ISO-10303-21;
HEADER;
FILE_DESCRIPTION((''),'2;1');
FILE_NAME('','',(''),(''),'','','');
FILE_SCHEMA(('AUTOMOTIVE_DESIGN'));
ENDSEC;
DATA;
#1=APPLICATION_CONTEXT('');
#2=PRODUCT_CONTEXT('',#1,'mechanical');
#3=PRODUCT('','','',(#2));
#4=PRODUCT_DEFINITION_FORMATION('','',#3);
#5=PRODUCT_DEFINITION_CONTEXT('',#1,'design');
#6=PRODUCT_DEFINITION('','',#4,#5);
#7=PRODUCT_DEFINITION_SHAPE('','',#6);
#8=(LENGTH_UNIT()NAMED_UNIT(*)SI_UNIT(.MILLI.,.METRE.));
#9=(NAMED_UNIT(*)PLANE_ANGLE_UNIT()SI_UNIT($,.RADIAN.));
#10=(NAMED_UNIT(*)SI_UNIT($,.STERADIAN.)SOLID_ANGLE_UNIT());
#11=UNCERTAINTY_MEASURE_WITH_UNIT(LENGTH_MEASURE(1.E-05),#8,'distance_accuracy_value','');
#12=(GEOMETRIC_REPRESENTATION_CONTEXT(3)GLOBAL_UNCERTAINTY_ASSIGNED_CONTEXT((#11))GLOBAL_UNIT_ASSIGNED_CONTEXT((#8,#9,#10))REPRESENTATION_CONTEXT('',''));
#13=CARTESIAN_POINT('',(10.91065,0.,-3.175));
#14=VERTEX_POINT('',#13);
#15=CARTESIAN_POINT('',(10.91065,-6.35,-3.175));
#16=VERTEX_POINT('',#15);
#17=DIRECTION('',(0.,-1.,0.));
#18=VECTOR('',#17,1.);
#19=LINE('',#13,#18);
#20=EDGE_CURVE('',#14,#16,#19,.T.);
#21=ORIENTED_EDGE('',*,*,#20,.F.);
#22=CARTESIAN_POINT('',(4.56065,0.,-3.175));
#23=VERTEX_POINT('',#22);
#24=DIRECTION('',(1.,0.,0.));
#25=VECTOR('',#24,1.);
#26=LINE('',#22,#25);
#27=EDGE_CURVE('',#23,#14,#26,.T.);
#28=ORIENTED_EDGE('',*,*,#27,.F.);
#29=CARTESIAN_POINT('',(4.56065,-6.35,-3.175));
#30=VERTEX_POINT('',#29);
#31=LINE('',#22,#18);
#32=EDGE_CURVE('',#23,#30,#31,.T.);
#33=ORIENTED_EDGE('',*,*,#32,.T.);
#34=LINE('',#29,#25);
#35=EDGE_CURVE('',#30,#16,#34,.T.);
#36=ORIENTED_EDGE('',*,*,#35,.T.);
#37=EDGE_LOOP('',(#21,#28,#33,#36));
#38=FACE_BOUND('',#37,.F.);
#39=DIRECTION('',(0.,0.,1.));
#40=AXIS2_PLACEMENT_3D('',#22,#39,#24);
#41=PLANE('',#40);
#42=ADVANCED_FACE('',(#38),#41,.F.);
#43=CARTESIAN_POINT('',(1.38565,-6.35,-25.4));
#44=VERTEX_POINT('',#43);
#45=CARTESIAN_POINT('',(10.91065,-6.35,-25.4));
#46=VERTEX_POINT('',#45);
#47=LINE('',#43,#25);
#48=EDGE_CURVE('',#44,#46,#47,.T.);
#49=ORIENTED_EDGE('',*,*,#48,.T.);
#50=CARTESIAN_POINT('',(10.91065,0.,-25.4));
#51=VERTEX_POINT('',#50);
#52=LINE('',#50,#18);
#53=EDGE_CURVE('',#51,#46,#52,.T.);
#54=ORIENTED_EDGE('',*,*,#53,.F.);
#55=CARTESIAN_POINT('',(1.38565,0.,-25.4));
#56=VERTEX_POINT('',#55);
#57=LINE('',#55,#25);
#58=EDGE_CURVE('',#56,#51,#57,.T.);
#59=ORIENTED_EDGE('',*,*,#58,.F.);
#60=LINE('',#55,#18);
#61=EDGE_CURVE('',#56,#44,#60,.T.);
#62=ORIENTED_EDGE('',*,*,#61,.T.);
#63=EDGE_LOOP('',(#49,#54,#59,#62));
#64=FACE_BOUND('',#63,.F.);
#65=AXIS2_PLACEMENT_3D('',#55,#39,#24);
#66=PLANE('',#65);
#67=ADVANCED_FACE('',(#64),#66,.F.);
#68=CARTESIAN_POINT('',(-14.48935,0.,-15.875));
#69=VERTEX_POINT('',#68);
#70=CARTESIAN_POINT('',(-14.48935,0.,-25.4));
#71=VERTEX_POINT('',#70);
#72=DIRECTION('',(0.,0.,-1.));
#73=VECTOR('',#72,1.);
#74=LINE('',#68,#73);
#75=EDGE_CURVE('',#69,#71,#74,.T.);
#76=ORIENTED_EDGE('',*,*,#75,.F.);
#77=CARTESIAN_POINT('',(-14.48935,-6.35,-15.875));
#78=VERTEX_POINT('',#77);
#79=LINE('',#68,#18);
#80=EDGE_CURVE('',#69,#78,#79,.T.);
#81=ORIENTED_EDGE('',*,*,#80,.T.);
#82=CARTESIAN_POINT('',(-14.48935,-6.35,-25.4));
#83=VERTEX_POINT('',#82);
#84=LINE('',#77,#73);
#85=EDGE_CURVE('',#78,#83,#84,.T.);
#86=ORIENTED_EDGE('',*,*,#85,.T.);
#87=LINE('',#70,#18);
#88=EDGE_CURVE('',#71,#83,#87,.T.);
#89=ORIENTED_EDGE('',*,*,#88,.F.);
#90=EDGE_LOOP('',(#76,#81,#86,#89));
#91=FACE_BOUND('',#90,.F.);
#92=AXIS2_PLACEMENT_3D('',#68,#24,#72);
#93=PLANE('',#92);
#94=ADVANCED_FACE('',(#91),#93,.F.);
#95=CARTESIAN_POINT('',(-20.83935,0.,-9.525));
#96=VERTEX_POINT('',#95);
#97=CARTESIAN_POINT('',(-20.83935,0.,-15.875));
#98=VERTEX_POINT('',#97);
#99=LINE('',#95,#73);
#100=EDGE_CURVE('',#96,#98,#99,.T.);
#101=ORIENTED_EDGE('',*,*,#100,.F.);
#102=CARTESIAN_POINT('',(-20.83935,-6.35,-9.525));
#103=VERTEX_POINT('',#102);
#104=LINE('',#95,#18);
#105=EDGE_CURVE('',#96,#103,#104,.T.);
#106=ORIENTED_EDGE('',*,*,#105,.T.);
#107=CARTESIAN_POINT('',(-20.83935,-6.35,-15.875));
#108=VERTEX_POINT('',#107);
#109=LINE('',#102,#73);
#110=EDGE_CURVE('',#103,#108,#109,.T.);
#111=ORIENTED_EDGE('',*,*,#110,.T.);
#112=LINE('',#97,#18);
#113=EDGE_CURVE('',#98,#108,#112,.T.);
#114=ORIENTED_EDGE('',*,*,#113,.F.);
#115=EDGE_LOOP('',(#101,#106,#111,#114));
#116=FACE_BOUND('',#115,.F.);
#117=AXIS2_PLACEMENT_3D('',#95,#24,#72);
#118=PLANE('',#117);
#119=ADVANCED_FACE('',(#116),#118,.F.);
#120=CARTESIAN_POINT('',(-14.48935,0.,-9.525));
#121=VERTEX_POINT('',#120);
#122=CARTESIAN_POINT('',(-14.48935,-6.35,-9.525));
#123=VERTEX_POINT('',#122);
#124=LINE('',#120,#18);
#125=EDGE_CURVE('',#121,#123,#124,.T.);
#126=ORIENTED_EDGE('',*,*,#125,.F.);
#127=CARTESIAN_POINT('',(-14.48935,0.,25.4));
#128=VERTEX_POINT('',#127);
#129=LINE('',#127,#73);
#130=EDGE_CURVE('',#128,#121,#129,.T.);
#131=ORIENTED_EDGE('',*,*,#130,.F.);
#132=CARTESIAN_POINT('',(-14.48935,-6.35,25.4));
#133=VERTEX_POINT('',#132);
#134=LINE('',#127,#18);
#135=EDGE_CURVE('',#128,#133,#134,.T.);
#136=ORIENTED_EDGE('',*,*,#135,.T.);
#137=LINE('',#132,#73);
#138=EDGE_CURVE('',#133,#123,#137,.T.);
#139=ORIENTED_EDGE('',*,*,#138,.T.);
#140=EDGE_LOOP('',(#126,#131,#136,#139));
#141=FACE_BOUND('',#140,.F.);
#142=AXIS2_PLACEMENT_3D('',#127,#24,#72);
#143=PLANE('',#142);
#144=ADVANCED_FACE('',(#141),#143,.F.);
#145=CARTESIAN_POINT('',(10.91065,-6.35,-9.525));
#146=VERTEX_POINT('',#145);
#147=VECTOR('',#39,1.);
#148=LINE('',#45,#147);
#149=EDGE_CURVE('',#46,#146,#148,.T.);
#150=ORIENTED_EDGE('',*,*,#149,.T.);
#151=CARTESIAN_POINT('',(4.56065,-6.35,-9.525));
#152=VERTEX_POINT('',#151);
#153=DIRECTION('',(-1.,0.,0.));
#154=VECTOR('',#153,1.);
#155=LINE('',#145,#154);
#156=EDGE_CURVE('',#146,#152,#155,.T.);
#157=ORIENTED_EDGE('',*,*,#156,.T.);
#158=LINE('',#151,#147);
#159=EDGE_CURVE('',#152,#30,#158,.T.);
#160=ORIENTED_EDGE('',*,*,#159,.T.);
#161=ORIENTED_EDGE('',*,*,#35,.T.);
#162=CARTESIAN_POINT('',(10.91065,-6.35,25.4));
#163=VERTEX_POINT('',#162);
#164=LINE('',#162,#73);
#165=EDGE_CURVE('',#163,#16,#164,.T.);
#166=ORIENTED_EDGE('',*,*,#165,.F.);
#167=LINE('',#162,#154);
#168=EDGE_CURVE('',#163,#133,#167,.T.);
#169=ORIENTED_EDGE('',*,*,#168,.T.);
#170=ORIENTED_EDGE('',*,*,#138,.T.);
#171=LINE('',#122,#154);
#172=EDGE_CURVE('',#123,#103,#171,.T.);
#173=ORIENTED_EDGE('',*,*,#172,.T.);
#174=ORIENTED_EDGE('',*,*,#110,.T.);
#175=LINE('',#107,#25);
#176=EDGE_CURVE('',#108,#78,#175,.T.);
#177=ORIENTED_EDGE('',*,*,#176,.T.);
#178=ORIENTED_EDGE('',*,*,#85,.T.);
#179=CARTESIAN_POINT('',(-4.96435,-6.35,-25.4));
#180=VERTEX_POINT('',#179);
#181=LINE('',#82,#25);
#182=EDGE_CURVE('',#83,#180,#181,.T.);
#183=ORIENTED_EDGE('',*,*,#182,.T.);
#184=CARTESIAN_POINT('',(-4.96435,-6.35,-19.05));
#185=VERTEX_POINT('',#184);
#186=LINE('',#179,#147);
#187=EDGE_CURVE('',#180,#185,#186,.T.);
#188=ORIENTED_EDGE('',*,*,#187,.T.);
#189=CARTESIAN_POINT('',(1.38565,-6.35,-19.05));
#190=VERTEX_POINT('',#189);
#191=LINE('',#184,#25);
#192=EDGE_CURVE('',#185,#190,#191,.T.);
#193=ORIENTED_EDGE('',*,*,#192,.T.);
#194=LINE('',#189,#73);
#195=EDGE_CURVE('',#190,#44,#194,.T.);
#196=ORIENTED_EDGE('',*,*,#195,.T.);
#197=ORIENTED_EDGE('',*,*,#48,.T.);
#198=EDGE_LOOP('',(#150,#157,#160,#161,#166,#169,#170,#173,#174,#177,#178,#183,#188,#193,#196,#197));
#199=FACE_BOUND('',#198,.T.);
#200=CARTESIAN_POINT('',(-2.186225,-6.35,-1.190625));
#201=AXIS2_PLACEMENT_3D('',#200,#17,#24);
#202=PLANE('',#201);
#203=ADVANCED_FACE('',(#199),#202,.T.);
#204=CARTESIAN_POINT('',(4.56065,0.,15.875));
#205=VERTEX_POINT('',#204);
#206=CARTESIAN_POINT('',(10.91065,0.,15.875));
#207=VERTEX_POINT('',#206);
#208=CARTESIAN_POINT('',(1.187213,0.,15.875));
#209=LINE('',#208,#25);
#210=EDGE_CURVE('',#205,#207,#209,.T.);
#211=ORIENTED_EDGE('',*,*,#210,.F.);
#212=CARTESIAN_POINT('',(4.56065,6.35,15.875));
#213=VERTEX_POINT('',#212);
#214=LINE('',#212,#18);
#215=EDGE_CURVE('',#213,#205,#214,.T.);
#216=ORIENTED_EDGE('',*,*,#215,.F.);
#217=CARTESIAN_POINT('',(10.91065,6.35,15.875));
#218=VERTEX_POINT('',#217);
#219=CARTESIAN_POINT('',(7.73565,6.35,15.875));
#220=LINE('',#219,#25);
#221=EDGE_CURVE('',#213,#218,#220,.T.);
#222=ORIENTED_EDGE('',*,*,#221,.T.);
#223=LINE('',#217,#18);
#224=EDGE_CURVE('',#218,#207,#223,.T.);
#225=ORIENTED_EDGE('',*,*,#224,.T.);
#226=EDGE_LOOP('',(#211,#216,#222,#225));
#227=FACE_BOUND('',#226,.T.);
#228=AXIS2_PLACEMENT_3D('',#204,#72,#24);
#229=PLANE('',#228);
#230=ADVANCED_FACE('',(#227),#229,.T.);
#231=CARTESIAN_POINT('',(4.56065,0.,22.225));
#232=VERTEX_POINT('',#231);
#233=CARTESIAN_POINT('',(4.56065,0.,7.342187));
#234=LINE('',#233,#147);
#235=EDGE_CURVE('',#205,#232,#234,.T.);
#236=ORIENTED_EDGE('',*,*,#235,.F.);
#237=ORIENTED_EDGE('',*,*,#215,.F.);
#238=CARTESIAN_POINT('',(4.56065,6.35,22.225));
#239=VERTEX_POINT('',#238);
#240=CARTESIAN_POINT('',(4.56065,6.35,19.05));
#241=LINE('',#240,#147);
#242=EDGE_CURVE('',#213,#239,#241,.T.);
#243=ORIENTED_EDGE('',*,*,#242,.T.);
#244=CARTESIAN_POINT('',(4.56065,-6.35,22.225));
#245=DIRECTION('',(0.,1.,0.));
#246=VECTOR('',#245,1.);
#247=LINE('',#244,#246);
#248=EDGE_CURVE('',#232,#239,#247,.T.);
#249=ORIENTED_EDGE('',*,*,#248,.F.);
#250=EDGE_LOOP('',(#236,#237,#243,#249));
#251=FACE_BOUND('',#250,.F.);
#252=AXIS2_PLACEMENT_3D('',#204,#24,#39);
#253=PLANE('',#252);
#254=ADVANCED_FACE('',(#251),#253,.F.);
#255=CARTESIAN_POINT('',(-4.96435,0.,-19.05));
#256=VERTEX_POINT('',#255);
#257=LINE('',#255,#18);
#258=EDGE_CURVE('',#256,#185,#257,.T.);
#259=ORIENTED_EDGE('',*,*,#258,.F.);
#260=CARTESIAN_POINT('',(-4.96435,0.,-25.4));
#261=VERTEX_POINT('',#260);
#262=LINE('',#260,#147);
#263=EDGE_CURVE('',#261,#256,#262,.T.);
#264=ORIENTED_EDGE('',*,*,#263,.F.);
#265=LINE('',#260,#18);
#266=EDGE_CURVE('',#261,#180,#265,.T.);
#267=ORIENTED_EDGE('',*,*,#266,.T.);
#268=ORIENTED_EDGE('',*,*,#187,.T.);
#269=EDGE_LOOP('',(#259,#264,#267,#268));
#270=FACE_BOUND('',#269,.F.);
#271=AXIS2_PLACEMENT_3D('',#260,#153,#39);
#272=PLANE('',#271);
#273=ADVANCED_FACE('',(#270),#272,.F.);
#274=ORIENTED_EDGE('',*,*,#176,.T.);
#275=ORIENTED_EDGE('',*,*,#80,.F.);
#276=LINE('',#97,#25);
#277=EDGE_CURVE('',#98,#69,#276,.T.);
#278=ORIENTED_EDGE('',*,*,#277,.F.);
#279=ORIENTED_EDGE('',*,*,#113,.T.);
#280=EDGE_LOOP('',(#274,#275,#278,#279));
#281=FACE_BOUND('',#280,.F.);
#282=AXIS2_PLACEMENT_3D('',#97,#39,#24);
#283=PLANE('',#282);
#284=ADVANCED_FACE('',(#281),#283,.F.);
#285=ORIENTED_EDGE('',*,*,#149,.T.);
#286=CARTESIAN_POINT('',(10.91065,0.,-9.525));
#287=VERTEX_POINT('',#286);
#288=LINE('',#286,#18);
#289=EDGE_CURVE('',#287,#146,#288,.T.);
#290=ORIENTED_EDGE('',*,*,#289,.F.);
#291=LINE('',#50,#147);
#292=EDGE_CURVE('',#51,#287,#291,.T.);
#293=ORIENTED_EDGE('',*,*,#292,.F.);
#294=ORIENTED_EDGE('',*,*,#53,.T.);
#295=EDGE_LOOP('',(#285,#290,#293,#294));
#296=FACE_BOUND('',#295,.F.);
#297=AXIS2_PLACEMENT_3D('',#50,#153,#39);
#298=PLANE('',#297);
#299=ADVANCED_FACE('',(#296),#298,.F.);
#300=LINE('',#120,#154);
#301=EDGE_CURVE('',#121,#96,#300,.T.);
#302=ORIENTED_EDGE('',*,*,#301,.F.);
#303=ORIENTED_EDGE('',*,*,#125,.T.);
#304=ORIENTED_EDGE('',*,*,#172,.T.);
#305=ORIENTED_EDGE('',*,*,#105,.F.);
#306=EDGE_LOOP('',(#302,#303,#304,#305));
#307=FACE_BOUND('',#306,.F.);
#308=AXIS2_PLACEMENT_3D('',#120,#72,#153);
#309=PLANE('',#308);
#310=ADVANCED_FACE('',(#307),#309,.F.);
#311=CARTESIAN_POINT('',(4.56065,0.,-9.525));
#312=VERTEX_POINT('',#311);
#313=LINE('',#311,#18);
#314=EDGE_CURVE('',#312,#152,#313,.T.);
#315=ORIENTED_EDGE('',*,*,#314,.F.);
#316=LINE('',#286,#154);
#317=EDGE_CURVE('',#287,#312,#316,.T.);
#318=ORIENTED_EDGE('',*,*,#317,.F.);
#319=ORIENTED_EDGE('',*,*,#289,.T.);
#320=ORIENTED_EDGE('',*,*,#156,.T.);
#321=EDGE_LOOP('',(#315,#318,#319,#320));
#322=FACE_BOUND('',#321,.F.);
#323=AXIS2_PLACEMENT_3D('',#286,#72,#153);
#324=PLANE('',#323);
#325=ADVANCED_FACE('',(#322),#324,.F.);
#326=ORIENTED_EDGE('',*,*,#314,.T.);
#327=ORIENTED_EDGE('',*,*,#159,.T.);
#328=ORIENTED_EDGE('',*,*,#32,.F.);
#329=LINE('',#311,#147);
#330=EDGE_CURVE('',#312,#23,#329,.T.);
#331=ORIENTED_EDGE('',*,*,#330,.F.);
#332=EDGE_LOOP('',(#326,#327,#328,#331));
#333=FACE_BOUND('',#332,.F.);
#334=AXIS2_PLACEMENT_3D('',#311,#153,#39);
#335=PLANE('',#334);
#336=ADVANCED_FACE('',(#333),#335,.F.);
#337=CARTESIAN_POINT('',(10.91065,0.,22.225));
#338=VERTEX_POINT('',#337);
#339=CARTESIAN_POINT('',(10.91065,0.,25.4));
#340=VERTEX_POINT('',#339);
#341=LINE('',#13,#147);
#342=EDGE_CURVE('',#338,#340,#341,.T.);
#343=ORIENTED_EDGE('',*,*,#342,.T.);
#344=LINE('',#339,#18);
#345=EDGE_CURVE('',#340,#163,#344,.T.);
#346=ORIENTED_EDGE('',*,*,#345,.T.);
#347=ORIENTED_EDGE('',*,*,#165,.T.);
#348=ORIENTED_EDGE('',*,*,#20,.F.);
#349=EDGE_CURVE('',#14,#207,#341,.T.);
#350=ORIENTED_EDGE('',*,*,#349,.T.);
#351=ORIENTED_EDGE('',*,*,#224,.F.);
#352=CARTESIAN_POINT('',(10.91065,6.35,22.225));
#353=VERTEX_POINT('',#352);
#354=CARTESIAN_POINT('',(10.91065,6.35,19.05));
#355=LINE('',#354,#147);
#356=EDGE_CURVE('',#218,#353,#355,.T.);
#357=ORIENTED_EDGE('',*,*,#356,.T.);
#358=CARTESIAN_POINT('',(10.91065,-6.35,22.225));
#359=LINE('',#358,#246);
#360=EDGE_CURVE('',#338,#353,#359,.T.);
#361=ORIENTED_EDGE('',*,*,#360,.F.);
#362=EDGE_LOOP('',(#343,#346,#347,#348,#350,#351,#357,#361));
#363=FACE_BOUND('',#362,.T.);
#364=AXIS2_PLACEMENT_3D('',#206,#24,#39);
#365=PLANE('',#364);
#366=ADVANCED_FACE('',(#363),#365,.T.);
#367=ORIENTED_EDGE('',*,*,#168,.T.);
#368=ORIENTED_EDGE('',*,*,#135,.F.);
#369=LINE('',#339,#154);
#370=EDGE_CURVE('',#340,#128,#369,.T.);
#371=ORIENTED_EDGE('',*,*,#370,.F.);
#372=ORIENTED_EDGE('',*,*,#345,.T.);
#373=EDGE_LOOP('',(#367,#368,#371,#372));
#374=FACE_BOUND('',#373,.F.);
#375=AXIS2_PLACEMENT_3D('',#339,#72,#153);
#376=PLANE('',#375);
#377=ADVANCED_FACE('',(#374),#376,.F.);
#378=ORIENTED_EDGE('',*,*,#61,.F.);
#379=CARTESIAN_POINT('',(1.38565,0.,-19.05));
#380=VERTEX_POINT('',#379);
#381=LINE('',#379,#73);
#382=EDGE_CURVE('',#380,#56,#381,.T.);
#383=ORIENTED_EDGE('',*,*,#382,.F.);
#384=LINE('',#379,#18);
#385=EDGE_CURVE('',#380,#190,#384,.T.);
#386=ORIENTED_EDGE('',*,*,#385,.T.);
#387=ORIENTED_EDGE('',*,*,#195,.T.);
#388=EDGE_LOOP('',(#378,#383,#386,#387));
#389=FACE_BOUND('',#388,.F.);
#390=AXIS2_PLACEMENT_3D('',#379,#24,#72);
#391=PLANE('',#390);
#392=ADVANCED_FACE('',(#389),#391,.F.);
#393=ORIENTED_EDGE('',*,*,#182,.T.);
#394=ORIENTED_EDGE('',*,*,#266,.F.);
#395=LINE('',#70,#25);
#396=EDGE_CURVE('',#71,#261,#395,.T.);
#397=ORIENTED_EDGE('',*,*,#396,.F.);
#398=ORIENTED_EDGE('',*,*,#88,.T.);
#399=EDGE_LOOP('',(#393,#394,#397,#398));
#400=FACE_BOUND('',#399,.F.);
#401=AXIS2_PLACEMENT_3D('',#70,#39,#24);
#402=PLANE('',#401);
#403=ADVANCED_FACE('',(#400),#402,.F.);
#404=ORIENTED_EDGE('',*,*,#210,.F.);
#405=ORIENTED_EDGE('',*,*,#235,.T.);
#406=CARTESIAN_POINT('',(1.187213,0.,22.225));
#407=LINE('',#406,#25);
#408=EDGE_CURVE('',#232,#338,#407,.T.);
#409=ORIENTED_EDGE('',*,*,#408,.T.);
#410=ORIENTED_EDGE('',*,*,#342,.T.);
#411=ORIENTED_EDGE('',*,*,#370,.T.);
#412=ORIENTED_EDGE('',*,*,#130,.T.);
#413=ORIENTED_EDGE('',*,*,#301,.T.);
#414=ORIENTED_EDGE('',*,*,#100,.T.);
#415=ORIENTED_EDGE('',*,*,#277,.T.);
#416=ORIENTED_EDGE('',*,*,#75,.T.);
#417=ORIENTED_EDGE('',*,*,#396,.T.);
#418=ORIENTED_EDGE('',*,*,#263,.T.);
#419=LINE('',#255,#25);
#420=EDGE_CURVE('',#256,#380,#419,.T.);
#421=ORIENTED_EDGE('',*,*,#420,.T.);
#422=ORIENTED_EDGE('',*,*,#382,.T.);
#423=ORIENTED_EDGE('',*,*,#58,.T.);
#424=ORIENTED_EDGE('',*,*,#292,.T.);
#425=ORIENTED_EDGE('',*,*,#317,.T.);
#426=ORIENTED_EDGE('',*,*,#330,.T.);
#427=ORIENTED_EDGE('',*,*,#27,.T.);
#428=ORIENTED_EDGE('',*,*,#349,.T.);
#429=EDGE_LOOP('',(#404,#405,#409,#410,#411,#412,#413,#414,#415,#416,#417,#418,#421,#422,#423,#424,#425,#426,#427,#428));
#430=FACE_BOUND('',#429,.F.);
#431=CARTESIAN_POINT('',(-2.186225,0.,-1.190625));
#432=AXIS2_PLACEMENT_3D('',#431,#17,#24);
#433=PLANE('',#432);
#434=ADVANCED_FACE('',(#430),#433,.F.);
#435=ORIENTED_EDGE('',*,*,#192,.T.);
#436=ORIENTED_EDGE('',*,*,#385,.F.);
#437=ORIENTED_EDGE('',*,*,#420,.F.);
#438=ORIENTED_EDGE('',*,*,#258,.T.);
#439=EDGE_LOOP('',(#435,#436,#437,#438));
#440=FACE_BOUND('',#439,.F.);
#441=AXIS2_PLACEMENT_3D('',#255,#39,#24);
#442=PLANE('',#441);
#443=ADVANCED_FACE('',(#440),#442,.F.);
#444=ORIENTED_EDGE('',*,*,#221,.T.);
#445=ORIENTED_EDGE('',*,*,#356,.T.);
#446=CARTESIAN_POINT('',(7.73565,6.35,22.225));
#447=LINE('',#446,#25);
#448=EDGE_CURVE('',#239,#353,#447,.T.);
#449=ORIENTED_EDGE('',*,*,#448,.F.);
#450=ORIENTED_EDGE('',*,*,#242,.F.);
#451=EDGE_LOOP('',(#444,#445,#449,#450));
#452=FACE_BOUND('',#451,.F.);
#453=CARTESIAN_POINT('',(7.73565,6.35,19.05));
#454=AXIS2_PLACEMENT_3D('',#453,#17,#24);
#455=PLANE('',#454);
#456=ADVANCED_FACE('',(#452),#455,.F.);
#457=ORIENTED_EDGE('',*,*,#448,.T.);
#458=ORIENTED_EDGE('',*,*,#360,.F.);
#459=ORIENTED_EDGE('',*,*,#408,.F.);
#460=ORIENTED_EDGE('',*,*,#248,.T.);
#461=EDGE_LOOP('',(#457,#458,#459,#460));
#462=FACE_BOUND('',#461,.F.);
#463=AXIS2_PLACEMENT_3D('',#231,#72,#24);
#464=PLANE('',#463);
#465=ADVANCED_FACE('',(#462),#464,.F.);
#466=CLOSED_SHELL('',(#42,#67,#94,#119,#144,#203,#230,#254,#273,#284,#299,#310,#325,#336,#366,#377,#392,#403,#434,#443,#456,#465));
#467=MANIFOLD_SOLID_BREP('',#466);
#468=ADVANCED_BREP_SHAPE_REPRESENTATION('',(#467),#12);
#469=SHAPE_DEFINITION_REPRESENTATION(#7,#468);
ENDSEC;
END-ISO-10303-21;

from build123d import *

# Parameters (mm, degrees)
F0_W     = 6.35
F0_H     = 6.35
F1_DEPTH = 6.35
F2_DEPTH = 6.35


with BuildPart() as f1:
    # F0 (on Front) → F1 (new body)
    with BuildSketch(Plane.XZ):
        Polygon((10.91065, 25.4), (-1.78935, 25.4), (-14.48935, 25.4), (-14.48935, 12.7), (-14.48935, 5.734982), (-14.48935, 0), (-14.48935, -9.525), (-20.83935, -9.525), (-20.83935, -15.875), (-14.48935, -15.875), (-14.48935, -25.4), (-4.96435, -25.4), (-4.96435, -19.05), (1.38565, -19.05), (1.38565, -25.4), (10.91065, -25.4), (10.91065, -15.875), (10.91065, -9.525), (4.56065, -9.525), (4.56065, -3.175), (10.91065, -3.175), (10.91065, 0), (10.91065, 15.875), (4.56065, 15.875), (4.56065, 22.225), (10.91065, 22.225), align=None)
        with Locations((7.73565, 19.05)):
            Rectangle(F0_W, F0_H)
    extrude(amount=F1_DEPTH)

    # F0 (on Front) → F2 (join, symmetric)
    with BuildSketch(Plane.XZ):
        with Locations((7.73565, 19.05)):
            Rectangle(F0_W, F0_H)
    extrude(amount=F2_DEPTH, both=True)


solid = f1.part
